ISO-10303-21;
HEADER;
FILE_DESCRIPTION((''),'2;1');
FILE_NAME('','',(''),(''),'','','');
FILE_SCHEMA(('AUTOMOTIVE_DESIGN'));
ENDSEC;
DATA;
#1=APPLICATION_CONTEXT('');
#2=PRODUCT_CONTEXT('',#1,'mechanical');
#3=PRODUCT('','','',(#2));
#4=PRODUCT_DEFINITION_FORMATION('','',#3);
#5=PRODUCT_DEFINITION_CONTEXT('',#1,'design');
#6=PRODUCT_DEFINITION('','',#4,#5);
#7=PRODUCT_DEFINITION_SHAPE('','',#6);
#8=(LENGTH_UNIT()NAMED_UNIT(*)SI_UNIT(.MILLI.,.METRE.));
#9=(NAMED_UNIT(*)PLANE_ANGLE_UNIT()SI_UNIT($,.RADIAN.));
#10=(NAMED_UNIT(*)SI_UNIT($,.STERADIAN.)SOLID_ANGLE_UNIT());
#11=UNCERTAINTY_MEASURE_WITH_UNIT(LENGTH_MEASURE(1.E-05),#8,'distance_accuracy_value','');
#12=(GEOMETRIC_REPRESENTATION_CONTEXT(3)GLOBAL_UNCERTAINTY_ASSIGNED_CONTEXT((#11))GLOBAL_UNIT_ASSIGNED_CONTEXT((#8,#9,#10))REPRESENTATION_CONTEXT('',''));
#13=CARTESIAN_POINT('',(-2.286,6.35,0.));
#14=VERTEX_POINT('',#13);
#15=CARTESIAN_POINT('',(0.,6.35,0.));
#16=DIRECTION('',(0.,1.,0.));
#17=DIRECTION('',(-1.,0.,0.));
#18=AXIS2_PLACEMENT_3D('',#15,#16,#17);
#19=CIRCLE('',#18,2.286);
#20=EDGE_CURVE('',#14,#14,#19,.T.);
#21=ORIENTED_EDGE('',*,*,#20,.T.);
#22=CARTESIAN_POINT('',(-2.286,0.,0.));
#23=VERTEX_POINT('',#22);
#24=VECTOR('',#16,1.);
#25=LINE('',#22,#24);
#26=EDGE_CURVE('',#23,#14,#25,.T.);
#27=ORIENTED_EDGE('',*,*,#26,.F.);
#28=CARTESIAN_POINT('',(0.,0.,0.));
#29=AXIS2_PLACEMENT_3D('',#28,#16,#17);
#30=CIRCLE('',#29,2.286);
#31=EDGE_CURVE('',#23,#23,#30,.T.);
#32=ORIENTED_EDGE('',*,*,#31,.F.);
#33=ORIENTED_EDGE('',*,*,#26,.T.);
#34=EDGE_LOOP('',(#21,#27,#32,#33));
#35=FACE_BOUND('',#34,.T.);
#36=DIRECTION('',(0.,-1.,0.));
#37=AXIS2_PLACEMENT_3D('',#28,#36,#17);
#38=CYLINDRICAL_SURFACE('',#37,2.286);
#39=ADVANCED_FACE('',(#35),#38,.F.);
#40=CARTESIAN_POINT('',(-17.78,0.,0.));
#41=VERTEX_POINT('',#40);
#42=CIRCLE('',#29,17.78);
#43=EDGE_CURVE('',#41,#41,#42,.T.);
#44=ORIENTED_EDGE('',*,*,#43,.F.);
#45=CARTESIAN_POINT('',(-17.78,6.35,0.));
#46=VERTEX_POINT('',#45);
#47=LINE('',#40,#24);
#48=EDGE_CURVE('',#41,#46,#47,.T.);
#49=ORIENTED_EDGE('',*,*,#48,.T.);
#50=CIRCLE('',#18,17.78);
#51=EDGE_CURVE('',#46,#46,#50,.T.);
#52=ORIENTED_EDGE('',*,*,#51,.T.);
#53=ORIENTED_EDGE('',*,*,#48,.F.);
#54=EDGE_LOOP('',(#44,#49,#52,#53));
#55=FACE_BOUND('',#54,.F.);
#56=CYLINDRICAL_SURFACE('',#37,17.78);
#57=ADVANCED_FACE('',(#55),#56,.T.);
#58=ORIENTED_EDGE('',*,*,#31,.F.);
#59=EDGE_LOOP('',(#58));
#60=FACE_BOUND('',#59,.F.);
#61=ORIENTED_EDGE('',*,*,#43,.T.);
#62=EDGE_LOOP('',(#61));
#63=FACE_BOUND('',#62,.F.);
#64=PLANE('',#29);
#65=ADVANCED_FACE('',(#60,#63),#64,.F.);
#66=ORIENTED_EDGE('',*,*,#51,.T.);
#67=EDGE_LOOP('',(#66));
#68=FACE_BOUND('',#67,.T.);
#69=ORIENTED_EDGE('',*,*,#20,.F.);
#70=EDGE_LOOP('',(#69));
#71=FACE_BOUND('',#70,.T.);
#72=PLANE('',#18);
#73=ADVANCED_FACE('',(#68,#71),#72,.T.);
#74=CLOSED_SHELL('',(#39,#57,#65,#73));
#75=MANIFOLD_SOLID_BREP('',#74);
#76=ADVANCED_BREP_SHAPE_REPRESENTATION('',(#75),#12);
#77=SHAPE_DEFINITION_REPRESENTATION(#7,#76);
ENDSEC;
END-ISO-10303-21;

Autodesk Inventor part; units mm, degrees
ref_plane "YZ Plane" through (0, 0, 0) normal (1, 0, 0) x (0, 1, 0)
ref_plane "XZ Plane" through (0, 0, 0) normal (0, 1, 0) x (-1, 0, 0)
ref_plane "XY Plane" through (0, 0, 0) normal (0, 0, 1) x (1, 0, 0)
sketch "Sketch1" plane through (0, 0, 0) normal (0, 1, 0) x (-1, 0, 0)
  circle A0 centre (0, 0) radius 2.286
  circle A1 centre (0, 0) radius 17.78
  dimension "d0" = 4.572
  dimension "d1" = 35.56
extrude "Extrusion1" add sketch "Sketch1" along normal blind 6.35
properties part number "wall rider"
